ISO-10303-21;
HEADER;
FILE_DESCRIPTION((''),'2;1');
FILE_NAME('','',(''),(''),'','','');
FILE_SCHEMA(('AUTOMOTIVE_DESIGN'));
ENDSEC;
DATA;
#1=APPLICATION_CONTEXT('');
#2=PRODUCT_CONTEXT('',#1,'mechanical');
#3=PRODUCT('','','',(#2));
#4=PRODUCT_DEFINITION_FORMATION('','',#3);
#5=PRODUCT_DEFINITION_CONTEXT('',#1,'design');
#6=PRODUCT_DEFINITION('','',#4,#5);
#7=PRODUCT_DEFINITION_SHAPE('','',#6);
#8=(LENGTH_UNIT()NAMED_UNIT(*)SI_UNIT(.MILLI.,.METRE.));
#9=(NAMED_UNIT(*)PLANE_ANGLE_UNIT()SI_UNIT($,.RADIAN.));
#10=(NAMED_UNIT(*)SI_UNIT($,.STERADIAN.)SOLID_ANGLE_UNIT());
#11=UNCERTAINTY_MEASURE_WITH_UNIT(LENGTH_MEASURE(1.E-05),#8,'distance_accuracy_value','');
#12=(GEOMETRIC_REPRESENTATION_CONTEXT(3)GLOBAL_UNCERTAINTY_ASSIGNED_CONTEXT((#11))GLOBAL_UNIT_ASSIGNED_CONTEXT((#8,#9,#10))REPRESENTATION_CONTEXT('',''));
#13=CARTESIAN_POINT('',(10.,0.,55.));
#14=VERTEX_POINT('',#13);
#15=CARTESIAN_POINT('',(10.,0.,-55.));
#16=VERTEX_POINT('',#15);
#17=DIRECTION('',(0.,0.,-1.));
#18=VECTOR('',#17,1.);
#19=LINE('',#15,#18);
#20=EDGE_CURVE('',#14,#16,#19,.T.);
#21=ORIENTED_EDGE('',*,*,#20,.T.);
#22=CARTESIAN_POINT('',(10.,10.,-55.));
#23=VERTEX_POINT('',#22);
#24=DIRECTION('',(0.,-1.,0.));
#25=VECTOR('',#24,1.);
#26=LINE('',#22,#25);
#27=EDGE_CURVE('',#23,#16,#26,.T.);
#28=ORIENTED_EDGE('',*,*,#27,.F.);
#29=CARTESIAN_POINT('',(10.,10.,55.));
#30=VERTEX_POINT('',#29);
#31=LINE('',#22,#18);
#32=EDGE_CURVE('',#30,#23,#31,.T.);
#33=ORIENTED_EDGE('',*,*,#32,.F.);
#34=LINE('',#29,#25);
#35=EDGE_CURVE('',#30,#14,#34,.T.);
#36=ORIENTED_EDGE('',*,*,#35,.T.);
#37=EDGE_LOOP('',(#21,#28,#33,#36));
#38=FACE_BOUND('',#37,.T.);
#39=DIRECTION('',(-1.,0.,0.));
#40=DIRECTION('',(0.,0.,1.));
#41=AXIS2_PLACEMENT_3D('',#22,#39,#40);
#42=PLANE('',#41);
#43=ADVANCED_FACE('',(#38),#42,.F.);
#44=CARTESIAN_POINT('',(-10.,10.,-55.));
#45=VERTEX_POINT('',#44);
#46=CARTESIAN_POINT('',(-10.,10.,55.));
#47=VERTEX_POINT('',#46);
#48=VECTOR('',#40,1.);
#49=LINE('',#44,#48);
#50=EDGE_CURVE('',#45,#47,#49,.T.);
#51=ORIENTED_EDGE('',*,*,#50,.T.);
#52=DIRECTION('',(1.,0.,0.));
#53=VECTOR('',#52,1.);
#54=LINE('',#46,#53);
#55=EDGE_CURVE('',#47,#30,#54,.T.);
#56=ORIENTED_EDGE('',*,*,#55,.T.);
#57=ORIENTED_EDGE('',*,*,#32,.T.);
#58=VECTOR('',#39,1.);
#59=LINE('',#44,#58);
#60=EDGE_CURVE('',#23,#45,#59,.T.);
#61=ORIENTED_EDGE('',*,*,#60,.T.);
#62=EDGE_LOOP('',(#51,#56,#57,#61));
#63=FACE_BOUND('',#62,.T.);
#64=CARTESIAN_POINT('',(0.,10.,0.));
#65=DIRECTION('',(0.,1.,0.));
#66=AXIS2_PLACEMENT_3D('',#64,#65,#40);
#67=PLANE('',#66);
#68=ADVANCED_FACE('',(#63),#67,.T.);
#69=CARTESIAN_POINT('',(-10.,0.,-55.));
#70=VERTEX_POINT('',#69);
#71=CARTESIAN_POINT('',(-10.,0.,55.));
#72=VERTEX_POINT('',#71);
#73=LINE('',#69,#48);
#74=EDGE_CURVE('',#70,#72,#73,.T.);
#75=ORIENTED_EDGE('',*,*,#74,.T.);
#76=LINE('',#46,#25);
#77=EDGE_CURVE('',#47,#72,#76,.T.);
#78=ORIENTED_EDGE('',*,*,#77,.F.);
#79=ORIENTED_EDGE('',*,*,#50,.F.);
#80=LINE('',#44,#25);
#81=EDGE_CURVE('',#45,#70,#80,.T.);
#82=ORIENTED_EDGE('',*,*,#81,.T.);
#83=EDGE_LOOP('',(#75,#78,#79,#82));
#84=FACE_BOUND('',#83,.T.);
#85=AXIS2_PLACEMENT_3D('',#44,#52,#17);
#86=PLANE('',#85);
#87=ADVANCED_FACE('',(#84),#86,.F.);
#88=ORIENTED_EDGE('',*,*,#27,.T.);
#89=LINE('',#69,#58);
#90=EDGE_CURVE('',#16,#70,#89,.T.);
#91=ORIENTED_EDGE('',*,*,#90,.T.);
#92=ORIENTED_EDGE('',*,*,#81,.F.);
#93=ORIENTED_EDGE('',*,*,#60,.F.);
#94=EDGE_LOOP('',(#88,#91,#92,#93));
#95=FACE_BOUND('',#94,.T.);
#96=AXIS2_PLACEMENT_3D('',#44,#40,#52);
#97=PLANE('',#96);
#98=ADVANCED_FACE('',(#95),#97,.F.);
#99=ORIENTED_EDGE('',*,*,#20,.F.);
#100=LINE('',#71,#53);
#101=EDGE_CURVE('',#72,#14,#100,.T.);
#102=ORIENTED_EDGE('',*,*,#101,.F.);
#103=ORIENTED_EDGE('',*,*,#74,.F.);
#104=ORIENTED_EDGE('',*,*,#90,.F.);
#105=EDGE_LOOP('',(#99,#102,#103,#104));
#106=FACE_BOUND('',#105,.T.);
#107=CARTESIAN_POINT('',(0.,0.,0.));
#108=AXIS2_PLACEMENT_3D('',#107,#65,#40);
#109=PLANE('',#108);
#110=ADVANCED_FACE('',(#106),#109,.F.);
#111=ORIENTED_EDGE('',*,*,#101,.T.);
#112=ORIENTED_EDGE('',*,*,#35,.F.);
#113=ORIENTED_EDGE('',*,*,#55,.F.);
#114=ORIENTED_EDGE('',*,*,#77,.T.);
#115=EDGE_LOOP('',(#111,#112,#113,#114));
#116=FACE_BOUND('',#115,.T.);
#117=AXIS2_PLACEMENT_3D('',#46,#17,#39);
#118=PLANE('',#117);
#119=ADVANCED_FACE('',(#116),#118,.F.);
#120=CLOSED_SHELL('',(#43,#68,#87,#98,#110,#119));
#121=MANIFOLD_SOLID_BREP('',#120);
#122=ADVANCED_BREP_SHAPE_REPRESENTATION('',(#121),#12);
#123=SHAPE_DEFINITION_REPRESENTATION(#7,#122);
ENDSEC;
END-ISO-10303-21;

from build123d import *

# Parameters (mm, degrees)
SKETCH1_W           = 20
SKETCH1_H           = 110
BOSS_EXTRUDE1_DEPTH = 10


with BuildPart() as part:
    # Sketch1 → Boss-Extrude1 (new body)
    with BuildSketch(Plane(origin=(0, 0, 0), x_dir=(1, 0, 0), z_dir=(0, 1, 0))):
        Rectangle(SKETCH1_W, SKETCH1_H)
    extrude(amount=BOSS_EXTRUDE1_DEPTH)


solid = part.part
